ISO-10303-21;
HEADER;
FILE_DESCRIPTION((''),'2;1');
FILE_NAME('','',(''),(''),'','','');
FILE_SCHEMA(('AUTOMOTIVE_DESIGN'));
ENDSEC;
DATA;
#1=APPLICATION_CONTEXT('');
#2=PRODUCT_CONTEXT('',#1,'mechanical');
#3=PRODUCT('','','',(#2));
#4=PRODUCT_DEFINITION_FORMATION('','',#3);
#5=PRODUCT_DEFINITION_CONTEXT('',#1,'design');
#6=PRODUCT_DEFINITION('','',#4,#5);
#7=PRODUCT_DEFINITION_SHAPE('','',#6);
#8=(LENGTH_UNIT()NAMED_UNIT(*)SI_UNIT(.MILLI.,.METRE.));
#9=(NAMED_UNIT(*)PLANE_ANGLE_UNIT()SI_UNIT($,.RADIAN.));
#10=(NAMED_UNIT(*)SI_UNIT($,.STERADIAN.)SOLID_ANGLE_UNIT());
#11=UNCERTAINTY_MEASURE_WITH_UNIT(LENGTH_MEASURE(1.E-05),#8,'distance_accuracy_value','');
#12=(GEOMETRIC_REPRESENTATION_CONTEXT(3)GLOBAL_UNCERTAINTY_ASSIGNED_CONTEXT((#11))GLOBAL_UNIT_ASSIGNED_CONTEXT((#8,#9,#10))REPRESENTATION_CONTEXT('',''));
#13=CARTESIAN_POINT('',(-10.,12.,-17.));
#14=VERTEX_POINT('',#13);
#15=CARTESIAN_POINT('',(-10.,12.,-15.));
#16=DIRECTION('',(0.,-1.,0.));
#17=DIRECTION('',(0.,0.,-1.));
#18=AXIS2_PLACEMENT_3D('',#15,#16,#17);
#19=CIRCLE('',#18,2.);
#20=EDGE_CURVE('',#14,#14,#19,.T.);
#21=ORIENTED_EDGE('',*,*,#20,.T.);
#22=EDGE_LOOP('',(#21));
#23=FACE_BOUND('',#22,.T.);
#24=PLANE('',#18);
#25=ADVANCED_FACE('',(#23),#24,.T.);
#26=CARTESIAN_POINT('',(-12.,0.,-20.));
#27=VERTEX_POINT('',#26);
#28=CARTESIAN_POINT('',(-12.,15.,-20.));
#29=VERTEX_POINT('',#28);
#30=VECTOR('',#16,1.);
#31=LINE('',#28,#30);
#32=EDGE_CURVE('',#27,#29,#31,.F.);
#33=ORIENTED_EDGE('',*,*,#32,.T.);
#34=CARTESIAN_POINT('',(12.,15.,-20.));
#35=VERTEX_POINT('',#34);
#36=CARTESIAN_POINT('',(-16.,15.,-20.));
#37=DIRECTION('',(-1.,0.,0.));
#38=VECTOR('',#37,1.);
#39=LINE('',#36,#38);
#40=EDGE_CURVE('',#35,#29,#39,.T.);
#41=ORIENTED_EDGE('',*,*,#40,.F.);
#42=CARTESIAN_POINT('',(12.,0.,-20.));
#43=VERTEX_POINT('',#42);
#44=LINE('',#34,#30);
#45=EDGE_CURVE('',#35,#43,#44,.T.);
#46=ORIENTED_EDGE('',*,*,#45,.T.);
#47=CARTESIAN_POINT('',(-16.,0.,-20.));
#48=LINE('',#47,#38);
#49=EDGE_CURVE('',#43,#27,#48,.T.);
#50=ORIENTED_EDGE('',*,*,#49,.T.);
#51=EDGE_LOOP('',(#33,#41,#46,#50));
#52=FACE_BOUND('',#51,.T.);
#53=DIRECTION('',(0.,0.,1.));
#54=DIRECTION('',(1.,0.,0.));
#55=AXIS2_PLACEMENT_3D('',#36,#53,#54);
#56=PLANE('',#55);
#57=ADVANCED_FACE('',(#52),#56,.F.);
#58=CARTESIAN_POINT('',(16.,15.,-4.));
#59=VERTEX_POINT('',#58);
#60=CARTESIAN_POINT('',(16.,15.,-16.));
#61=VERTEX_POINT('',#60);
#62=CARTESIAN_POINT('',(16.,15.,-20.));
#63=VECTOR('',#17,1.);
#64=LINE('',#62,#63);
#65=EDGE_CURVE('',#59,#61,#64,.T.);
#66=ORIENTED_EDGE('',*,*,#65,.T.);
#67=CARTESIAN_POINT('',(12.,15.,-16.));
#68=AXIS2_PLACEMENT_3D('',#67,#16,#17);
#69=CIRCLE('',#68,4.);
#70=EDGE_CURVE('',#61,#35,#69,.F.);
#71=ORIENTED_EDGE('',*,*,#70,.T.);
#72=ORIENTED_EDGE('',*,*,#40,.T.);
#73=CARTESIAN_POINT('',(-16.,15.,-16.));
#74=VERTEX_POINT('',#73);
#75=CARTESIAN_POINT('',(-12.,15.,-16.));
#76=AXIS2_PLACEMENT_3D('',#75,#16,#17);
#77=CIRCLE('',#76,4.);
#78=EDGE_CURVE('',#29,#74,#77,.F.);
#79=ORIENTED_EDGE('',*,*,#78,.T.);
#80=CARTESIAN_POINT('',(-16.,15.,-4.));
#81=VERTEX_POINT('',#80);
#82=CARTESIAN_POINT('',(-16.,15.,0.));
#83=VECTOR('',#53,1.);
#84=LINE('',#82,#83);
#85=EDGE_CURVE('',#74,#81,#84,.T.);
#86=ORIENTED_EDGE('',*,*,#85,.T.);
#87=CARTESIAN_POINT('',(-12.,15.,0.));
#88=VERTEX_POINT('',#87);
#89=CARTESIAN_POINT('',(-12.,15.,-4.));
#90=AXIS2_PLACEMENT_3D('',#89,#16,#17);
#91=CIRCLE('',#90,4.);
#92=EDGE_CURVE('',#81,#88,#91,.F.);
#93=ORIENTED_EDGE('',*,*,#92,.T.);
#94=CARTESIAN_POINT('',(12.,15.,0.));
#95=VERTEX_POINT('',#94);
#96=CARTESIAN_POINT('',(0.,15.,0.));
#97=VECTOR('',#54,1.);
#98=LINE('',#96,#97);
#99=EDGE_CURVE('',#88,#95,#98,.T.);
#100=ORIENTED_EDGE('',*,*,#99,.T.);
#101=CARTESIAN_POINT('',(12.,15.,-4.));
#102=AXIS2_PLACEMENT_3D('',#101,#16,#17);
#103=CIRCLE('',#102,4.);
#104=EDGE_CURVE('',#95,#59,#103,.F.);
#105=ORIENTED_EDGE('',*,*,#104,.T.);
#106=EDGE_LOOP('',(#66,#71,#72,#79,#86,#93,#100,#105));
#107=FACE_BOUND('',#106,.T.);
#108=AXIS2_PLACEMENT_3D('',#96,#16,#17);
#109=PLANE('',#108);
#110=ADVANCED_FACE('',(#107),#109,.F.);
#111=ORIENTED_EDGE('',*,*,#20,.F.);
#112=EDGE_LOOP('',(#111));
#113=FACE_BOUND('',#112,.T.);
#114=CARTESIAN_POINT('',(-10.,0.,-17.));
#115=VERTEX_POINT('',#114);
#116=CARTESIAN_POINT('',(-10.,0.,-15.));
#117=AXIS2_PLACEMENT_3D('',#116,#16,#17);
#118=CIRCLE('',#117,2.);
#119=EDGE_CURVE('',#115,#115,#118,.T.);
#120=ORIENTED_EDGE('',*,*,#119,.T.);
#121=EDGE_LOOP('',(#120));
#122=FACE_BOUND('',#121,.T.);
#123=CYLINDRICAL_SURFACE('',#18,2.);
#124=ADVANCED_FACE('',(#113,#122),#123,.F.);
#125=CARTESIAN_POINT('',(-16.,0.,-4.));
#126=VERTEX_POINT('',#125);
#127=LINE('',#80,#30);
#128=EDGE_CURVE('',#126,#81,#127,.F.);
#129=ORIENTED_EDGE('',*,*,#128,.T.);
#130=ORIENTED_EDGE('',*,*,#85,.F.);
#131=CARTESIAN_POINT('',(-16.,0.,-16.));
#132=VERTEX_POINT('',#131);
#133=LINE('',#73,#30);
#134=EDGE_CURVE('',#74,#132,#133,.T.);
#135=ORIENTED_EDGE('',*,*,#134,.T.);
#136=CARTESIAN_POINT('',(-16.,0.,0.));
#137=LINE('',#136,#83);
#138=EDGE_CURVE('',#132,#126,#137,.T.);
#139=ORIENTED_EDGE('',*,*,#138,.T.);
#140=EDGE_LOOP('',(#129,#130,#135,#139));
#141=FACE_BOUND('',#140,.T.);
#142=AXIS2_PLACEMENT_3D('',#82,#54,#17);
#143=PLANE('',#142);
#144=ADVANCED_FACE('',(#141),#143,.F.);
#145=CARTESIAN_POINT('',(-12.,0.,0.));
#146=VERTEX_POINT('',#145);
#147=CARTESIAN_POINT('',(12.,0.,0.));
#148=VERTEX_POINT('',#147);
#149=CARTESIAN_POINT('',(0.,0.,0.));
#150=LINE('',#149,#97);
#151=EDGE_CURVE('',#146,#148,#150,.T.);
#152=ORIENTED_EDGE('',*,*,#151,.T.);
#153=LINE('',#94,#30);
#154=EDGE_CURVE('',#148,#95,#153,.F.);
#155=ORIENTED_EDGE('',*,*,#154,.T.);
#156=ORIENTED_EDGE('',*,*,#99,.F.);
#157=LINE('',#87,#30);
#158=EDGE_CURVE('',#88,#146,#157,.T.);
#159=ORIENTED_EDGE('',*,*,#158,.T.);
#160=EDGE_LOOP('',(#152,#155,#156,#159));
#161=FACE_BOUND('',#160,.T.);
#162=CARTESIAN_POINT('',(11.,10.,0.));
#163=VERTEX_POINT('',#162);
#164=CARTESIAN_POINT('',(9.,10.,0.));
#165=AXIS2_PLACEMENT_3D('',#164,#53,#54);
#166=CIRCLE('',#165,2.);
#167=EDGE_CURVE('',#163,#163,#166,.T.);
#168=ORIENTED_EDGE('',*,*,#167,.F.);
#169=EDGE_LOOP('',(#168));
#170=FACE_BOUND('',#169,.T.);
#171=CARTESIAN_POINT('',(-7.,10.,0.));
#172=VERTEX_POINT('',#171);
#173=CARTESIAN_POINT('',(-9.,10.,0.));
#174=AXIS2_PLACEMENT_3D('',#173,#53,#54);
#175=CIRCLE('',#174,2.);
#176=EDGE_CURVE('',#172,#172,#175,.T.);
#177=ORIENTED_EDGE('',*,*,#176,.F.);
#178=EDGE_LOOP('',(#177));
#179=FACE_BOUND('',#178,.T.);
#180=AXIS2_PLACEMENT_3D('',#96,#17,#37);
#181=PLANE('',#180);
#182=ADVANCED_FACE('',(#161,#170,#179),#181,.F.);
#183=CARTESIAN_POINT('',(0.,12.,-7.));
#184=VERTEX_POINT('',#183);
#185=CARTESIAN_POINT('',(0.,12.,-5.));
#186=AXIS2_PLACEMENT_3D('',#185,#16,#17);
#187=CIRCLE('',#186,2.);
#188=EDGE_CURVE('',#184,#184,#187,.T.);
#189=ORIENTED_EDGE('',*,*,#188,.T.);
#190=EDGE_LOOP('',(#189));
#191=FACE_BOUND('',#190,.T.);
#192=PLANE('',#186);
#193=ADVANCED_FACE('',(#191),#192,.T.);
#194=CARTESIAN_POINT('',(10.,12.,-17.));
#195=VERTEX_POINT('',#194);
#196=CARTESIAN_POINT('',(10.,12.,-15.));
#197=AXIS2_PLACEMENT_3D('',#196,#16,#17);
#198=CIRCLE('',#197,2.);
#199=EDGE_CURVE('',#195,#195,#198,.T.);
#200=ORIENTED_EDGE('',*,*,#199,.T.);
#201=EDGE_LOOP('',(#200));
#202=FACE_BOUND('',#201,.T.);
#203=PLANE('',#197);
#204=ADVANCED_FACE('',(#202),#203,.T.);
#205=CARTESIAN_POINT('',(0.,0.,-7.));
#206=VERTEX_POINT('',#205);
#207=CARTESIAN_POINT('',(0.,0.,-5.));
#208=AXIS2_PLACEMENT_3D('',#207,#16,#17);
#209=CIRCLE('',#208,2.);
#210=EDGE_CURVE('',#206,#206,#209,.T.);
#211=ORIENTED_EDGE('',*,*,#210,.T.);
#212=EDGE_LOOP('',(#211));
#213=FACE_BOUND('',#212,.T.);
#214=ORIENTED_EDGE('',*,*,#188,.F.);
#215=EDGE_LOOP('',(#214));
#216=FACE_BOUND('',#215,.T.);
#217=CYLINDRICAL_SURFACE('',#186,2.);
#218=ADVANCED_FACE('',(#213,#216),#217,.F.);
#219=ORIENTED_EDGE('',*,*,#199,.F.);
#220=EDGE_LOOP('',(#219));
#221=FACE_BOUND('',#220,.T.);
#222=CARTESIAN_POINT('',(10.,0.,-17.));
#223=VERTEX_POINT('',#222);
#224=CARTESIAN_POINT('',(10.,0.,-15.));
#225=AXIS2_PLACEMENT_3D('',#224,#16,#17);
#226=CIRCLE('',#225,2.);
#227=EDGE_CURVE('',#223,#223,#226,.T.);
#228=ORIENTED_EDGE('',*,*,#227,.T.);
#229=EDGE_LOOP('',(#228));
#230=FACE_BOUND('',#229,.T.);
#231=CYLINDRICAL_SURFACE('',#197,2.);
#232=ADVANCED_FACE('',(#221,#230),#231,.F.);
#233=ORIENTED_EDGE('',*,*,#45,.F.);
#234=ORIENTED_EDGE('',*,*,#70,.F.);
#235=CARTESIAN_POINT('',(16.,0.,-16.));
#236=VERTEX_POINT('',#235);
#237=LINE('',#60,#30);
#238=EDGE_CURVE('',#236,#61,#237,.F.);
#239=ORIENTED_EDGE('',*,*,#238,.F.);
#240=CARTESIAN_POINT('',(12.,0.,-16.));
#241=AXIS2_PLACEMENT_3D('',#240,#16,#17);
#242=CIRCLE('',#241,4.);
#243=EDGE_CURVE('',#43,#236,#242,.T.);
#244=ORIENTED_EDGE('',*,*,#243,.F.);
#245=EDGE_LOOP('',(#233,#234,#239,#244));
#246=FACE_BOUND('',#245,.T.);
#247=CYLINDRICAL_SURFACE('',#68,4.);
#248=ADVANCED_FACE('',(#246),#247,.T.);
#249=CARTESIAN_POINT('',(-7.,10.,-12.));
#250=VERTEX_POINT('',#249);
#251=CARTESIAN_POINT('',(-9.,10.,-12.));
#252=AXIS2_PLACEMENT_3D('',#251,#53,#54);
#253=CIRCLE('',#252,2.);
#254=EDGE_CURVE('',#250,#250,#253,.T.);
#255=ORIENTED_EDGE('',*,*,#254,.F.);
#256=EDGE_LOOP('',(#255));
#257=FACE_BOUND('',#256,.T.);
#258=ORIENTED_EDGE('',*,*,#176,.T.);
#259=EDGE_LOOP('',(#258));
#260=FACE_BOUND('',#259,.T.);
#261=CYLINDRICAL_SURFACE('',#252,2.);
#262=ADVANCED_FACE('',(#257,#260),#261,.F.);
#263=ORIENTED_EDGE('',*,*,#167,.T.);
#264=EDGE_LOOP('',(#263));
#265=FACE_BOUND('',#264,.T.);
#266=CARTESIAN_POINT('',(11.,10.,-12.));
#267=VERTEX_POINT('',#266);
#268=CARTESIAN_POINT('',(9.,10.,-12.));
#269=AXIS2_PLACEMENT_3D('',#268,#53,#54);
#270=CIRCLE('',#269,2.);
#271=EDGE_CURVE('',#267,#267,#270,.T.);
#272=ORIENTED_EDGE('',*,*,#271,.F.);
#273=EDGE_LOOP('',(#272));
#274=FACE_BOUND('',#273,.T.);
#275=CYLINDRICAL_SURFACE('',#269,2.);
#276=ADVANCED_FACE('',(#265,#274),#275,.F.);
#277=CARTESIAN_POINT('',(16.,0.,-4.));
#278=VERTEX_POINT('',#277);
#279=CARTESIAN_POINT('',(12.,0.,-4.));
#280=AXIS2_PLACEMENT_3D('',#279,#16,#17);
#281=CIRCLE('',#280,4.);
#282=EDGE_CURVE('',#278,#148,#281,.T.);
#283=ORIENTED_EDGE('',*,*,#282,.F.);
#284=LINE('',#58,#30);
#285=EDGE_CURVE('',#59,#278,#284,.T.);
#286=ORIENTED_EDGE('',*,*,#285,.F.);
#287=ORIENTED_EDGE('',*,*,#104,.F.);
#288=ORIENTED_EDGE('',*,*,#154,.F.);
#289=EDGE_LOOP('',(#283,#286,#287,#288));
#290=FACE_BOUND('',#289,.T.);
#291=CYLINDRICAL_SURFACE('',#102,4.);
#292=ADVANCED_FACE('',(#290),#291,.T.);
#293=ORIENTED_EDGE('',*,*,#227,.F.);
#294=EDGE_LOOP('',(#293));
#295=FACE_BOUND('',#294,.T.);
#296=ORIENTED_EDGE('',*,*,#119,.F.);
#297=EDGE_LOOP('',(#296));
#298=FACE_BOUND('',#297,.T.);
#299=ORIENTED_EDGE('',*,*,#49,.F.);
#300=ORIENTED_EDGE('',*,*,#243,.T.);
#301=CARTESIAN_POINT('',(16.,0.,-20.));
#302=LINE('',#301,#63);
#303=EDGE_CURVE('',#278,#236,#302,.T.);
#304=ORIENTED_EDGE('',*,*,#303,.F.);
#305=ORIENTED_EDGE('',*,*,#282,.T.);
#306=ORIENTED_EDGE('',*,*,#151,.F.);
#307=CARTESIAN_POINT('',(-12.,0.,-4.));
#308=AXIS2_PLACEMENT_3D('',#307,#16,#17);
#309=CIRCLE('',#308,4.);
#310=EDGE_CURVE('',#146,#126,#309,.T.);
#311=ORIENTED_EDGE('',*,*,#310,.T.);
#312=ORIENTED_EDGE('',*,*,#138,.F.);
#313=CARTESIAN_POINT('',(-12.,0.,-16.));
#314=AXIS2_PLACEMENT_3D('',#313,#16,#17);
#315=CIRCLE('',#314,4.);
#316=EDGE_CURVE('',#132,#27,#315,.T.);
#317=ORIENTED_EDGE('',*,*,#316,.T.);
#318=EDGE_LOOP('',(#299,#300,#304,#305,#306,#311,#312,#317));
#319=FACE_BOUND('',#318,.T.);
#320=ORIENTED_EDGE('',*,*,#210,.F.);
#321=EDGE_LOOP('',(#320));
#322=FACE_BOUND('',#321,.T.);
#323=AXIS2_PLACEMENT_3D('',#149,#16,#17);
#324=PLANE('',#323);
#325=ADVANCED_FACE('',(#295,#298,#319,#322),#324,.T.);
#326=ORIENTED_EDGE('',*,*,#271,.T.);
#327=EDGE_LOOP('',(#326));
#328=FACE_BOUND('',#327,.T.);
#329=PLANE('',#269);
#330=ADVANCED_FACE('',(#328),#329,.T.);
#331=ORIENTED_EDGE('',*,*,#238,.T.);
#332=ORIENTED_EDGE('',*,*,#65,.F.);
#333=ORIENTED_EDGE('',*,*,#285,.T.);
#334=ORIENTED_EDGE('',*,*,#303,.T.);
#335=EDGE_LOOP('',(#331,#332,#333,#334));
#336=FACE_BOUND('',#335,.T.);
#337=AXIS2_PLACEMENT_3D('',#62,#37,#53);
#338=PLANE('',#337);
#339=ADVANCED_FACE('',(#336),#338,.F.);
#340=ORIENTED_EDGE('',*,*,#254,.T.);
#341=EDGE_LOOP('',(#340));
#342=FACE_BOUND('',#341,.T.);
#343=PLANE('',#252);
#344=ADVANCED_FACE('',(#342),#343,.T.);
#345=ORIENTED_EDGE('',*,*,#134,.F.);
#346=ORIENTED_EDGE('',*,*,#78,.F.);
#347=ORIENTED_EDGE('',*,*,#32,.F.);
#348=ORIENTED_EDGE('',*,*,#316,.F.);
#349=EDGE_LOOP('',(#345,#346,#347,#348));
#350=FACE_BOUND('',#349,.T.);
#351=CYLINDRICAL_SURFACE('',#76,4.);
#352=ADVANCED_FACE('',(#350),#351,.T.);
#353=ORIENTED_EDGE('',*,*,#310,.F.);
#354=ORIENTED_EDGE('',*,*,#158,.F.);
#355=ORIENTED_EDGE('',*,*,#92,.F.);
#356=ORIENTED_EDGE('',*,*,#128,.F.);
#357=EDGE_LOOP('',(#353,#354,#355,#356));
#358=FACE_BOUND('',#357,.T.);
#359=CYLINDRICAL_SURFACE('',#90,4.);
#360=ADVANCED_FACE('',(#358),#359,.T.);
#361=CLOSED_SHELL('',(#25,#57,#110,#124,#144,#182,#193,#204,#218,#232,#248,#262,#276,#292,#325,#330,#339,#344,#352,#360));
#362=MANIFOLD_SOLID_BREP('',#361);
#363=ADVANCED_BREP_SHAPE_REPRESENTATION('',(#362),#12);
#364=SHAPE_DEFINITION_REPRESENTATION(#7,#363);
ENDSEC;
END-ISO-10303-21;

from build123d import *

# Parameters (mm, degrees)
BOSS_EXTRU_1_DEPTH      = 15
CONG_1_R                = 4
ESQUISSE2_R             = 2
ENL_V_MAT_EXTRU_1_DEPTH = 12
ESQUISSE3_R             = 2
ENL_V_MAT_EXTRU_2_DEPTH = 12


with BuildPart() as part:
    # Esquisse1 → Boss.-Extru.1 (new body)
    with BuildSketch(Plane(origin=(0, 0, 0), x_dir=(1, 0, 0), z_dir=(0, 1, 0))):
        Polygon((0, 0), (16, 0), (16, 20), (-16, 20), (-16, 0), align=None)
    extrude(amount=BOSS_EXTRU_1_DEPTH)

    # Congé1
    cong_1_edges = [part.edges().sort_by_distance(p)[0] for p in [
        (-16, 7.5, 0),
        (-16, 7.5, -20),
        (16, 7.5, -20),
        (16, 7.5, 0),
    ]]
    fillet(cong_1_edges, radius=CONG_1_R)

    # Esquisse2 → Enlèv. mat.-Extru.1 (cut)
    with BuildSketch(Plane.XZ):
        with Locations(Location((-10, -15, 0), (0, 0, 270))):
            Circle(ESQUISSE2_R)
        with Locations(Location((10, -15, 0), (0, 0, 270))):
            Circle(ESQUISSE2_R)
        with Locations(Location((0, -5, 0), (0, 0, 270))):
            Circle(ESQUISSE2_R)
    extrude(amount=-ENL_V_MAT_EXTRU_1_DEPTH, mode=Mode.SUBTRACT)

    # Esquisse3 → Enlèv. mat.-Extru.2 (cut)
    with BuildSketch(Plane.XY):
        with Locations((-9, 10)):
            Circle(ESQUISSE3_R)
        with Locations((9, 10)):
            Circle(ESQUISSE3_R)
    extrude(amount=-ENL_V_MAT_EXTRU_2_DEPTH, mode=Mode.SUBTRACT)


solid = part.part
